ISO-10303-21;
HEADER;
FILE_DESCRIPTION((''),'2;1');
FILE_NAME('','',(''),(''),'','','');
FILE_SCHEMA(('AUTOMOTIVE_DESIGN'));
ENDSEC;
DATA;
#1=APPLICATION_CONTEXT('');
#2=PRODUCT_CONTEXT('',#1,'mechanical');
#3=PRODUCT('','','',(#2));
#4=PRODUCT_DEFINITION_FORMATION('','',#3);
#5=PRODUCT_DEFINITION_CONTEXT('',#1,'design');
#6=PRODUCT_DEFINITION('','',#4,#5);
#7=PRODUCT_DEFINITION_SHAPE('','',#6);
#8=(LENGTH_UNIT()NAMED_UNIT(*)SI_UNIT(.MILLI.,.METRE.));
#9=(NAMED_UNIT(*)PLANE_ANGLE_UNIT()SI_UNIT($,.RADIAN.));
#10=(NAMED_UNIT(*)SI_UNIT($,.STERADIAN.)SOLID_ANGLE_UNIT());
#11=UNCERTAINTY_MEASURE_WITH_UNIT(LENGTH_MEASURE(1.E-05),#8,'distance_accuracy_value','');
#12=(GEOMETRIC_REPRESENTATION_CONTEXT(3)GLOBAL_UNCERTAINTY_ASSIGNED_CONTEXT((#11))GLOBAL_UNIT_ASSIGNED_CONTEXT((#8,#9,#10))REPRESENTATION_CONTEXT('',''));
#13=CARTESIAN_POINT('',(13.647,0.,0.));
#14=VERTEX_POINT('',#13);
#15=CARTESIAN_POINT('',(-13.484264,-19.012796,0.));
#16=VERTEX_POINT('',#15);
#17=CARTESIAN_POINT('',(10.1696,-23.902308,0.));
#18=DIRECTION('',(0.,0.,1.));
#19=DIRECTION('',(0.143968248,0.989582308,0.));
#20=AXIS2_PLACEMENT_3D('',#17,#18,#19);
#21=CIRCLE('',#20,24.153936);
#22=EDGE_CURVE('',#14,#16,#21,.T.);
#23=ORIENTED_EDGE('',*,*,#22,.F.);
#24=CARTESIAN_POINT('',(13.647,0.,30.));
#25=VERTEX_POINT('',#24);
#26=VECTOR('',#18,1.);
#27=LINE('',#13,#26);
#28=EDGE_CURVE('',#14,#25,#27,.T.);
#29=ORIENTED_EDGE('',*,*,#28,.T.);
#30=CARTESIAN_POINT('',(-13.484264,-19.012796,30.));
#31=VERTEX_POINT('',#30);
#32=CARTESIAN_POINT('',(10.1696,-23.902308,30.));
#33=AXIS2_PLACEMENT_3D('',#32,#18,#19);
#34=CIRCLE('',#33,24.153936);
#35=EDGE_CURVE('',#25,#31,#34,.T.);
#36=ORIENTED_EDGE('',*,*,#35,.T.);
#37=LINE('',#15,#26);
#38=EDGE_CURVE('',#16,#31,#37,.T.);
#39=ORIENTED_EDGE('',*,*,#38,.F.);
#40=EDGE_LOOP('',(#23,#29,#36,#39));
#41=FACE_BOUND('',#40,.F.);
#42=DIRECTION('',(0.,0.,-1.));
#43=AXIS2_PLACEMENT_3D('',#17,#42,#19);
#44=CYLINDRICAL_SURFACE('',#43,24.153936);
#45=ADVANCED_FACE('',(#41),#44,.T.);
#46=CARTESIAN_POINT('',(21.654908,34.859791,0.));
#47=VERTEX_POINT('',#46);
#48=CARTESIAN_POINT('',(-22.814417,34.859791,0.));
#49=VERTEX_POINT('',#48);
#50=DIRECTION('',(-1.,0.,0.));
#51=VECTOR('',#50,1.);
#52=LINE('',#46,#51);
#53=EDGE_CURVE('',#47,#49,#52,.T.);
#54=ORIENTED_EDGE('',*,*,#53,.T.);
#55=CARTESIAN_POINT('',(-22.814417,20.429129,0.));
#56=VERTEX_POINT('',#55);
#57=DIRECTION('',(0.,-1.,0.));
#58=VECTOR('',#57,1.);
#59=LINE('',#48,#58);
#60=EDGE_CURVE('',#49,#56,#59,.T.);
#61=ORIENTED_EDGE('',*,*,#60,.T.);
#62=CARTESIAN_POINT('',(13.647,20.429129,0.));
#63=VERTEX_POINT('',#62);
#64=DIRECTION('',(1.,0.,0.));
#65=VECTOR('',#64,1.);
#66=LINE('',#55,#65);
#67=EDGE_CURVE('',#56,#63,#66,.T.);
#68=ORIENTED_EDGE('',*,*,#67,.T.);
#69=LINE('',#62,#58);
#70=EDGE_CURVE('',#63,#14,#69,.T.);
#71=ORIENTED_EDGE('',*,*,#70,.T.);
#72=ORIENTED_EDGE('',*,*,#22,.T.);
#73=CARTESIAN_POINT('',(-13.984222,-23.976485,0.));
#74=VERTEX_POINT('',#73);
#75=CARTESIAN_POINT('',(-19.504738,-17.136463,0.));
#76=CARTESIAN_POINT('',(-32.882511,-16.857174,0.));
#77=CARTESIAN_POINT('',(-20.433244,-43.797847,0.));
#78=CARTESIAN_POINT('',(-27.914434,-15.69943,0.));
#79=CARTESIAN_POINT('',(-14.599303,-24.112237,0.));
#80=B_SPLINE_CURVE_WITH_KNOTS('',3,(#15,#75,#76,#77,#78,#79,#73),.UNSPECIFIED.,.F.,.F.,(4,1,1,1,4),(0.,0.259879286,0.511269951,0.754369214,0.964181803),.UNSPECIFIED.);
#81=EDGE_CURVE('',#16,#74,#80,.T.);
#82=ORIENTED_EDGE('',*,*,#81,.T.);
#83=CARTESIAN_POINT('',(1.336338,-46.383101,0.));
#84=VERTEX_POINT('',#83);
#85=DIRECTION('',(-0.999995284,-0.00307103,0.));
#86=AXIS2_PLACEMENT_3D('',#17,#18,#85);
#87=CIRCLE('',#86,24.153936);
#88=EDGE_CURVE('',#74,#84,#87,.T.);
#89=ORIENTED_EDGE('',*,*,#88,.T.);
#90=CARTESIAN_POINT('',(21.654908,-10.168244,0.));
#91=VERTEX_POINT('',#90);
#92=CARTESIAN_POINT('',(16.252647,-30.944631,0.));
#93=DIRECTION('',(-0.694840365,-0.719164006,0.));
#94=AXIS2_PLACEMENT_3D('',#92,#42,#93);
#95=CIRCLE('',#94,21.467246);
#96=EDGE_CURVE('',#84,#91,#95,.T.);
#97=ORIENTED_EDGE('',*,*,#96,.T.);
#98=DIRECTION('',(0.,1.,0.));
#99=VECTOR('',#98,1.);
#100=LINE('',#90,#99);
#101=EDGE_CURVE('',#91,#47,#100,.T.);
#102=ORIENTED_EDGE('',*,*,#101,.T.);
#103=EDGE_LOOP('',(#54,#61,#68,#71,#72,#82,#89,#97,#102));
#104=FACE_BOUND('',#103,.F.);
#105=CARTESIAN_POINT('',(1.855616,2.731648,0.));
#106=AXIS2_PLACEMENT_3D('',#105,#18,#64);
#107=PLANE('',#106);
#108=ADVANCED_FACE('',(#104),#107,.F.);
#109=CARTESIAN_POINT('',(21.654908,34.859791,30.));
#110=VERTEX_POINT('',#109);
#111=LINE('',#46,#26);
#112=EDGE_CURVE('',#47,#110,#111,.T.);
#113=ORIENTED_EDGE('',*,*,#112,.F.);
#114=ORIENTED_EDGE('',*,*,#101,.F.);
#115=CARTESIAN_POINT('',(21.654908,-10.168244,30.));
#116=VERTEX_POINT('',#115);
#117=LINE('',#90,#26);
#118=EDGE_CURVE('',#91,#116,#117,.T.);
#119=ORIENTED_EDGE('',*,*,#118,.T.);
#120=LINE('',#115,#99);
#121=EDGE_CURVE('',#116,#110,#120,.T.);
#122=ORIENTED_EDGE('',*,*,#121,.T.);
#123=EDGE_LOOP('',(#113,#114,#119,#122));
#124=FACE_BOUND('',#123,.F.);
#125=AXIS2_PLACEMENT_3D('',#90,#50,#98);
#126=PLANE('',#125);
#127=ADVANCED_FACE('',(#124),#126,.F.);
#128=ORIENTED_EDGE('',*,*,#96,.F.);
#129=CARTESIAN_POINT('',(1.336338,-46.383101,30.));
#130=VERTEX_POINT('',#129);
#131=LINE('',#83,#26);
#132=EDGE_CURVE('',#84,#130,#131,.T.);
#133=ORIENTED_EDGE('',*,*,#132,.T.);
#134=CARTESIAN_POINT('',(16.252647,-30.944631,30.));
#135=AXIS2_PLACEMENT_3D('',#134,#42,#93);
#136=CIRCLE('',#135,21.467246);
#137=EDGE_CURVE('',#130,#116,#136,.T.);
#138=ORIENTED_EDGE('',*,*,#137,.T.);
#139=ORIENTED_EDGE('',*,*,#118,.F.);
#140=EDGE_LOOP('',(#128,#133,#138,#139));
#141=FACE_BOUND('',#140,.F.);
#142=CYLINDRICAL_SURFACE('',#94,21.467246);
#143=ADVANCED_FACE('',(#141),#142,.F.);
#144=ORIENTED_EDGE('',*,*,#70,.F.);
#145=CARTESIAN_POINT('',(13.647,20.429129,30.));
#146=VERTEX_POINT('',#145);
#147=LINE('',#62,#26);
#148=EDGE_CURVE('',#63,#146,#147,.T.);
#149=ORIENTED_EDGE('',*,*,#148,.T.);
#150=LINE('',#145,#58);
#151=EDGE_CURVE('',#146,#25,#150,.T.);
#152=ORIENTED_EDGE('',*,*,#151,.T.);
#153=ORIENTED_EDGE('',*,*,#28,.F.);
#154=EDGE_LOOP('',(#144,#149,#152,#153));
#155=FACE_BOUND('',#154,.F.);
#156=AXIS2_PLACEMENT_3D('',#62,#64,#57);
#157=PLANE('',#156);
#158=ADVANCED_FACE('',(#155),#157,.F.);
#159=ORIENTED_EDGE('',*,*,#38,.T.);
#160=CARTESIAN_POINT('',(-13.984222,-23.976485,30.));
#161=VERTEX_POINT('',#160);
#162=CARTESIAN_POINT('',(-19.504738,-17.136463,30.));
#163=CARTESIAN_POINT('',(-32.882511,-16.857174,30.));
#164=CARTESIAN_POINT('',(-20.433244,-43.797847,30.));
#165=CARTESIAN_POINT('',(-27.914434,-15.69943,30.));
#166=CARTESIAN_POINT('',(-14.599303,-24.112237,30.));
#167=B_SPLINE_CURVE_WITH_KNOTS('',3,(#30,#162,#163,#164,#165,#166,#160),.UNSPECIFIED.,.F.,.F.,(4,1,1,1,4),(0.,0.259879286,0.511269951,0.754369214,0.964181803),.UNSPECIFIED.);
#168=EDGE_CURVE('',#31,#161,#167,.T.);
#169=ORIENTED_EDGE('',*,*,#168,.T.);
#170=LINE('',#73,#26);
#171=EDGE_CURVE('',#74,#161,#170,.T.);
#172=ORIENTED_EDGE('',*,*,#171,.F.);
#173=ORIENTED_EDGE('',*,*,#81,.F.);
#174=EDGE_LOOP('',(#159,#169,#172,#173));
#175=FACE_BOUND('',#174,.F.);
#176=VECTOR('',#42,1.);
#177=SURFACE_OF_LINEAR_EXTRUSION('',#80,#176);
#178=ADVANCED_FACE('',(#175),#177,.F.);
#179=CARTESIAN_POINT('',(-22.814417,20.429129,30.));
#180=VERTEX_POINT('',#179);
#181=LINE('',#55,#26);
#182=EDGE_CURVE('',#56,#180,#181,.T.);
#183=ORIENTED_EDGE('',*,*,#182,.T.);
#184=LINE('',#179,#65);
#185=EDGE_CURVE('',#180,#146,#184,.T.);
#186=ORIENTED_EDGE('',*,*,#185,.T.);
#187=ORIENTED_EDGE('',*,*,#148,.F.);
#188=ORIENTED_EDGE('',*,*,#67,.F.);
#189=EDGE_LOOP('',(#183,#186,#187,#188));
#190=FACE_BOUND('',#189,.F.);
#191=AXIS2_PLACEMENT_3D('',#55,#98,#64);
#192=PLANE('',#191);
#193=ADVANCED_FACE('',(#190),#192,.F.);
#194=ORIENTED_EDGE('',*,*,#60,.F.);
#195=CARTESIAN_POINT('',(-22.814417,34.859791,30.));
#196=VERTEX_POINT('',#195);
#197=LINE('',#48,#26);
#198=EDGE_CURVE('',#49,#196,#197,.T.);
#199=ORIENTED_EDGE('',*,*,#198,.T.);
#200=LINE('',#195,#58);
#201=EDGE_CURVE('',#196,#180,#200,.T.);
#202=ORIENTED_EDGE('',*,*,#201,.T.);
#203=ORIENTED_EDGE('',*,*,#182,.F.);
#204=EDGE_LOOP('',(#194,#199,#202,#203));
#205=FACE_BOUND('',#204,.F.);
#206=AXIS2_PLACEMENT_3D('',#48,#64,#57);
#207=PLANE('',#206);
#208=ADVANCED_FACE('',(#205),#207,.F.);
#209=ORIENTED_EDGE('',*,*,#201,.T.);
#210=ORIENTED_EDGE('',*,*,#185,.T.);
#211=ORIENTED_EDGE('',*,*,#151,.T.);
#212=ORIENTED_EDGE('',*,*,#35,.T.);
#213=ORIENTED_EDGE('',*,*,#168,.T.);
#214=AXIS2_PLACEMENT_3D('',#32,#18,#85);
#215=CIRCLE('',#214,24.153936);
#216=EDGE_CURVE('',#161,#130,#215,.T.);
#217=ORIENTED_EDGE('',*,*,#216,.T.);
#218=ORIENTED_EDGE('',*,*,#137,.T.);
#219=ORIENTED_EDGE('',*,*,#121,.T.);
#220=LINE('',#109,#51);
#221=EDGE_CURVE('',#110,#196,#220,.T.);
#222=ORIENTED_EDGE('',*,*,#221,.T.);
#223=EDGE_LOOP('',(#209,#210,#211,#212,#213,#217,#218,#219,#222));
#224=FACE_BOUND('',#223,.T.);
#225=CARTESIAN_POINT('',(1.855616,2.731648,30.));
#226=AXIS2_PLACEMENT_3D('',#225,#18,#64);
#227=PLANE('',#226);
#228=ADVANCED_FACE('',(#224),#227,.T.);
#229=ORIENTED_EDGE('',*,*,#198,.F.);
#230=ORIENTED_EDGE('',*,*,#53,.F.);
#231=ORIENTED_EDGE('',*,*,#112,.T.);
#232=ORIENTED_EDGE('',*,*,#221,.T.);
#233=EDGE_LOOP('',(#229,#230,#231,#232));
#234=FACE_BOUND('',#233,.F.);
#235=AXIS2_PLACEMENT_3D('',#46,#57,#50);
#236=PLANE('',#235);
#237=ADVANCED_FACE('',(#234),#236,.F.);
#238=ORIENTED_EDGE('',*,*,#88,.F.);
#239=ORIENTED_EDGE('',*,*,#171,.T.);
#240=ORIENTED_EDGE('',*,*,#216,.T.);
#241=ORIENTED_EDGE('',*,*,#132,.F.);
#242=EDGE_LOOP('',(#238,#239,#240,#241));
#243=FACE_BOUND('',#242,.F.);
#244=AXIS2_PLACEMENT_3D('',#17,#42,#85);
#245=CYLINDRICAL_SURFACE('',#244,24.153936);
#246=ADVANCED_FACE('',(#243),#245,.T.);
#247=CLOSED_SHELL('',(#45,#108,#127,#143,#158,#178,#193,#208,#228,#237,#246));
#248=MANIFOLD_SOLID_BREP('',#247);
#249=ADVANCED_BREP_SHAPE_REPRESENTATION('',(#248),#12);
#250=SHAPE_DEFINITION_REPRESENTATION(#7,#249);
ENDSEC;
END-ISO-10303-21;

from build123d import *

# Parameters (mm, degrees)
F1_DEPTH = 30


with BuildPart() as f1:
    # F0 (on Top) → F1 (new body)
    with BuildSketch(Plane.XY):
        with BuildLine():
            Line((21.654907614, 34.859791398), (-22.8144172579, 34.859791398))
            Line((-22.8144172579, 34.859791398), (-22.8144172579, 20.429128781))
            Line((-22.8144172579, 20.429128781), (13.6470003054, 20.429128781))
            Line((13.6470003054, 20.429128781), (13.6470003054, 0))
            ThreePointArc((13.6470003054, 0), (-3.6920022459, -4.1217972715), (-13.4842637926, -19.0127957612))
            ThreePointArc((-13.4842637926, -19.0127957612), (-13.8488173763, -21.3472684555), (-13.9835392671, -23.7061902617))
            add(Edge.make_bspline(
                [(-13.984221565, -23.9764851339), (-13.8792178152, -23.953310261), (-13.9360543808, -23.8125987493), (-13.9835392671, -23.7061902617)],
                knots=[0.9641818028, 0.9641818028, 0.9641818028, 0.9641818028, 1, 1, 1, 1], degree=3))
            ThreePointArc((-13.984221565, -23.9764851339), (-9.7690818852, -37.5354132208), (1.3363377657, -46.3831014931))
            ThreePointArc((1.3363377657, -46.3831014931), (-2.4692186966, -20.440612127), (21.654907614, -10.1682441309))
            Line((21.654907614, -10.1682441309), (21.654907614, 34.859791398))
        make_face()
        with BuildLine():
            add(Edge.make_bspline(
                [(-13.4842637926, -19.0127957612), (-19.504737776, -17.1364625204), (-32.8825107142, -16.857174381), (-20.4332441891, -43.7978474809), (-27.9144344567, -15.6994297648), (-14.5993030108, -24.1122368036), (-13.984221565, -23.9764851339)],
                knots=[0, 0, 0, 0, 0.2598792861, 0.5112699515, 0.7543692144, 0.9641818028, 0.9641818028, 0.9641818028, 0.9641818028], degree=3))
            ThreePointArc((-13.984221565, -23.9764851339), (-13.9842585124, -23.8413367434), (-13.9835392671, -23.7061902617))
            ThreePointArc((-13.9835392671, -23.7061902617), (-13.8488173763, -21.3472684555), (-13.4842637926, -19.0127957612))
        make_face()
        with BuildLine():
            ThreePointArc((-13.9835392671, -23.7061902617), (-13.9842585124, -23.8413367434), (-13.984221565, -23.9764851339))
            add(Edge.make_bspline(
                [(-13.984221565, -23.9764851339), (-13.8792178152, -23.953310261), (-13.9360543808, -23.8125987493), (-13.9835392671, -23.7061902617)],
                knots=[0.9641818028, 0.9641818028, 0.9641818028, 0.9641818028, 1, 1, 1, 1], degree=3))
        make_face()
    extrude(amount=F1_DEPTH)


solid = f1.part
